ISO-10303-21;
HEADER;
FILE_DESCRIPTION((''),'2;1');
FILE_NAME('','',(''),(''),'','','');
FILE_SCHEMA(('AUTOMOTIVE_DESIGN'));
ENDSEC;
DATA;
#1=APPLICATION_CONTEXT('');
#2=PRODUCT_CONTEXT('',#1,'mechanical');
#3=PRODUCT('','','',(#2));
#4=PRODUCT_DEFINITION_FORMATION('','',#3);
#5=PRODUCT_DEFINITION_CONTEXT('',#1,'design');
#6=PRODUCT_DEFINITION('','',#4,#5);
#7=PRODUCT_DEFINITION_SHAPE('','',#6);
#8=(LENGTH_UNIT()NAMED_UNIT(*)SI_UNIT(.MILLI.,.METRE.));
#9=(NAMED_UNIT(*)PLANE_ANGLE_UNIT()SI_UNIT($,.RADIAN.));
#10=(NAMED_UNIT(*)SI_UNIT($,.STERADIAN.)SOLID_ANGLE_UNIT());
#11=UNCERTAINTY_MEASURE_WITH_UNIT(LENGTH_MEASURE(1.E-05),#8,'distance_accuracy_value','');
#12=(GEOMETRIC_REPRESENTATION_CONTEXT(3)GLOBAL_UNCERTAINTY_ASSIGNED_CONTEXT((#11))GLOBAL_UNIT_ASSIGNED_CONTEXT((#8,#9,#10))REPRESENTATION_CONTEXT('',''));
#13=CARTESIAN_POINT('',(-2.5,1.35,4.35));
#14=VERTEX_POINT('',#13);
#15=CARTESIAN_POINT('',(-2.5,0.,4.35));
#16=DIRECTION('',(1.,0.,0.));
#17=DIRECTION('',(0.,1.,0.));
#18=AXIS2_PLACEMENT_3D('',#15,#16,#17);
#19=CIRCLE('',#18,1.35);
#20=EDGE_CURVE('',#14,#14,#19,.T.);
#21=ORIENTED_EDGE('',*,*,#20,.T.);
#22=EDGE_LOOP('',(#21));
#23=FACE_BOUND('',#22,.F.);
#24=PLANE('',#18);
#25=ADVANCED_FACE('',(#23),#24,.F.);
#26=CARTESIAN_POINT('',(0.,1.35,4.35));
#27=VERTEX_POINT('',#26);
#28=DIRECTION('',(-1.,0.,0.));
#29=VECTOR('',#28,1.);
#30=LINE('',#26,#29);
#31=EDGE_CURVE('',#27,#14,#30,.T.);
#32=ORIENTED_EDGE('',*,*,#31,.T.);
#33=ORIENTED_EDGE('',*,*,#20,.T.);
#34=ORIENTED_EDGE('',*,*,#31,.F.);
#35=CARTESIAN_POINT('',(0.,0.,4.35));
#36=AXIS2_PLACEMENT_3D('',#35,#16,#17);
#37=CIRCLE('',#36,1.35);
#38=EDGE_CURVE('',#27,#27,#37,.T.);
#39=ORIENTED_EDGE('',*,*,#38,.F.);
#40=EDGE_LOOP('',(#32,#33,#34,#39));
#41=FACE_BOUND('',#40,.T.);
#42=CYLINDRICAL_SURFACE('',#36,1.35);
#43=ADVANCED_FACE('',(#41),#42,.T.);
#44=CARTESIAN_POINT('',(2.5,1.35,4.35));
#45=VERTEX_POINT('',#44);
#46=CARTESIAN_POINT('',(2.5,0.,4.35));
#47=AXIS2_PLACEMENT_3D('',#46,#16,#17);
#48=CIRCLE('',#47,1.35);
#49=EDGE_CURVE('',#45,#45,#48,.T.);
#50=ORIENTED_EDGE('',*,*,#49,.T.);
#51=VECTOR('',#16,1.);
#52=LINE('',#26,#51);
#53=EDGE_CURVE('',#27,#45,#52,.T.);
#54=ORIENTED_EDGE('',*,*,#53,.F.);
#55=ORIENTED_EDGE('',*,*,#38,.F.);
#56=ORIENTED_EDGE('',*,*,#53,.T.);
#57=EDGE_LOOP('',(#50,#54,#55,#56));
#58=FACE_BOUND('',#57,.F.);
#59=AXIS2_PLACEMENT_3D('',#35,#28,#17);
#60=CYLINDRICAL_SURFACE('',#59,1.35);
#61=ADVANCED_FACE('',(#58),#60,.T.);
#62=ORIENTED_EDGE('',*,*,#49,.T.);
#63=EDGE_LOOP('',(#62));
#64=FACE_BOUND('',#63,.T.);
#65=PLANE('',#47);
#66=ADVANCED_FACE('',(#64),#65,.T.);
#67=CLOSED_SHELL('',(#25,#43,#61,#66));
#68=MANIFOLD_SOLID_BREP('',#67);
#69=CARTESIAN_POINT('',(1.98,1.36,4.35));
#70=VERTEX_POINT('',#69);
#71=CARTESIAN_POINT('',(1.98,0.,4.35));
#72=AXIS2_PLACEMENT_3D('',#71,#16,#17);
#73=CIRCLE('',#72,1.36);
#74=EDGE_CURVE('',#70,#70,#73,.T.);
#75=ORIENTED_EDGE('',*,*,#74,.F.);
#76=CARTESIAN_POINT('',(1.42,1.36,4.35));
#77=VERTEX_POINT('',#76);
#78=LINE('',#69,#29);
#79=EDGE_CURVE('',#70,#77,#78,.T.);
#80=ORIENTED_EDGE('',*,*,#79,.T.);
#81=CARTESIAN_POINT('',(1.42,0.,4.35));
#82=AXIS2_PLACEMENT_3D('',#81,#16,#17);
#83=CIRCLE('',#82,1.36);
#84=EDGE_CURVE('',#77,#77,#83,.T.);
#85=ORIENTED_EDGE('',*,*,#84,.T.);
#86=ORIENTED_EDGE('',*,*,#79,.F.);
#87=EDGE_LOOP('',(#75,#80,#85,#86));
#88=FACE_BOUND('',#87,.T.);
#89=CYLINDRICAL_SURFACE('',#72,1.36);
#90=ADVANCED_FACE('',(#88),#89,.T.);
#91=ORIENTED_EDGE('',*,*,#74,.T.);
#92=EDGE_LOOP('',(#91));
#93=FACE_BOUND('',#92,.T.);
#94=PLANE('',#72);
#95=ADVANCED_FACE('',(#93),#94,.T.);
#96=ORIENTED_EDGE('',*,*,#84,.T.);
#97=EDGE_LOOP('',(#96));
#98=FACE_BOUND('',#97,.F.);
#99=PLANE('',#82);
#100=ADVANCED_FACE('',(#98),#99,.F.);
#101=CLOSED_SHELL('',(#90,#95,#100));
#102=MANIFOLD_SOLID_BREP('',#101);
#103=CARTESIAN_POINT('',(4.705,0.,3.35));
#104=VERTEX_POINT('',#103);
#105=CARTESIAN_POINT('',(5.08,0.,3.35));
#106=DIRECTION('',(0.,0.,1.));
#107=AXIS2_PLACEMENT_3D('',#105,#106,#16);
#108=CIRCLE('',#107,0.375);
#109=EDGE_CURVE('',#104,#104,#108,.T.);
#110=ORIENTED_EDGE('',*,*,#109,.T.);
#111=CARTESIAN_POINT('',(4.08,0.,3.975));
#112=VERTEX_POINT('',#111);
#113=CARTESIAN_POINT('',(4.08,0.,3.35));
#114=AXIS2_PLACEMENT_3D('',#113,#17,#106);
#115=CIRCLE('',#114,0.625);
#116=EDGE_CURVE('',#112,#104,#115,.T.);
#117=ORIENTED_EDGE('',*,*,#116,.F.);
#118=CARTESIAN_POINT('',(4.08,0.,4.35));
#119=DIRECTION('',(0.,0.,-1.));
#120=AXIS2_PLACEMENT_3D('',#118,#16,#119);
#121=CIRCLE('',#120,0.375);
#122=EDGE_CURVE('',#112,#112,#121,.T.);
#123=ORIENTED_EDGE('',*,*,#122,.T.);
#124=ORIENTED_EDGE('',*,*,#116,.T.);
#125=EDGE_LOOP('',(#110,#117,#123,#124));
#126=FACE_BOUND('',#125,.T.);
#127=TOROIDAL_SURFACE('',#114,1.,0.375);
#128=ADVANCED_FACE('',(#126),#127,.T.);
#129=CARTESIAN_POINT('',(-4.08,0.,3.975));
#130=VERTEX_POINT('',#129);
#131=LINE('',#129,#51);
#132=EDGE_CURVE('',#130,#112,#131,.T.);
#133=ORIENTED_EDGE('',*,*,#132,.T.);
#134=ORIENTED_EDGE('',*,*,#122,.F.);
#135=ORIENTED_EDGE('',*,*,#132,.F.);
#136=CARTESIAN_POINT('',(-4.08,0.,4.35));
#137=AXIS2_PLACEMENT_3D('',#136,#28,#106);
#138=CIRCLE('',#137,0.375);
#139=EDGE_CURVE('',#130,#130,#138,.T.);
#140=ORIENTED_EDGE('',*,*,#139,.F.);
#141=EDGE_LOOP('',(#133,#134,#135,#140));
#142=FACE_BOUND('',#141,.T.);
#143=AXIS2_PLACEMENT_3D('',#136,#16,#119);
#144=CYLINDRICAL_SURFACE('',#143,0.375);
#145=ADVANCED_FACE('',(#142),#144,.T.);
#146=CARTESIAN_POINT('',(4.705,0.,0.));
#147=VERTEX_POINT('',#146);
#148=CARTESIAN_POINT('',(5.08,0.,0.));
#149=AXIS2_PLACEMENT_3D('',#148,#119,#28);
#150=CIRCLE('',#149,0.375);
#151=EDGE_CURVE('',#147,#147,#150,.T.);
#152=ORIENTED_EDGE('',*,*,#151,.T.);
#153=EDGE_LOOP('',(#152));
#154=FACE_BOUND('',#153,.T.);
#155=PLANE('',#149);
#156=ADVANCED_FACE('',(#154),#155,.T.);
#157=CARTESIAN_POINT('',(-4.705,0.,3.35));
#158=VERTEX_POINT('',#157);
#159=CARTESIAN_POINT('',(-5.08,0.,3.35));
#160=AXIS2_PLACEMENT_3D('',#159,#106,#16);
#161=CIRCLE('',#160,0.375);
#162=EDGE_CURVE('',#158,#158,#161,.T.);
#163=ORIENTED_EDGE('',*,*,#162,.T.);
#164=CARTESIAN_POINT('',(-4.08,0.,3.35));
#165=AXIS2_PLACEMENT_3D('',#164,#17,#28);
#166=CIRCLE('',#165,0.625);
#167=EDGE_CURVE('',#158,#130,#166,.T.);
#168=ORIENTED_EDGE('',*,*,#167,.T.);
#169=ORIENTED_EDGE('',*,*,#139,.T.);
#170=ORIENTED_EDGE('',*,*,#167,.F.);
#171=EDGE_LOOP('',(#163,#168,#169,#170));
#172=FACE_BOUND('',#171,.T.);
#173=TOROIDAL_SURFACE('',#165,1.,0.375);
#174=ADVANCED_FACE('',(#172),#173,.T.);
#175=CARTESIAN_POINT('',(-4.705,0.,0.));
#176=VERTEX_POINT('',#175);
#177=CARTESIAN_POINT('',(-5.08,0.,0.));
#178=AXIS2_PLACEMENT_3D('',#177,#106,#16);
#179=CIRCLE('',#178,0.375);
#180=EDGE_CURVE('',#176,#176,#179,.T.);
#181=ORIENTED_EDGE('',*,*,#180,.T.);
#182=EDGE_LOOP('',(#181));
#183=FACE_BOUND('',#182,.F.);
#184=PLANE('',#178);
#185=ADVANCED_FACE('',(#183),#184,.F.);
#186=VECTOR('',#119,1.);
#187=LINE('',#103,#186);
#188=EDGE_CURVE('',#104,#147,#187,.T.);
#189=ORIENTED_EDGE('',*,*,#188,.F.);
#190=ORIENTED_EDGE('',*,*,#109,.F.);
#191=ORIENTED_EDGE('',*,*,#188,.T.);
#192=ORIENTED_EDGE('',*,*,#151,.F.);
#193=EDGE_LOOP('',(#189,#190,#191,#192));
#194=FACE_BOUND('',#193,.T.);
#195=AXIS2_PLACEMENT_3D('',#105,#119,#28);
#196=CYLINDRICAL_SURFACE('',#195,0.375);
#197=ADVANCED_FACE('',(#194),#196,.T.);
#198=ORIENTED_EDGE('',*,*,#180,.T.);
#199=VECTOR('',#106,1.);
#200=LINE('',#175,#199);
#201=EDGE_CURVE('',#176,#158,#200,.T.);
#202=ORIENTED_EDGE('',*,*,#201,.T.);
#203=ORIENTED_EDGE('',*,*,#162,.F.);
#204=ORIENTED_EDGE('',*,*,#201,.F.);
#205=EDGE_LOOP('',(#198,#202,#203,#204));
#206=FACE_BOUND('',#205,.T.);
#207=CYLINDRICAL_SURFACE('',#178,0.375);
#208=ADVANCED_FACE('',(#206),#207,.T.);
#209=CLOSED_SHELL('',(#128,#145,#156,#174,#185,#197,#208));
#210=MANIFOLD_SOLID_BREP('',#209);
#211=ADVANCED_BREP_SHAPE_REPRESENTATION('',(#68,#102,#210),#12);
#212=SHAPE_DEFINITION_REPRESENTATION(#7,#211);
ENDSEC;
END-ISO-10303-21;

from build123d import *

# Parameters (mm, degrees)
F1_R          = 0.375
F3_R          = 1.35
F4_DEPTH      = 2.5
F4_DEPTH_BACK = 2.5
F6_START      = -0.52
F5_R          = 1.36
F6_DEPTH      = 0.56


with BuildPart() as f2:
    # F2: sweep along a path in F0
    with BuildLine(Plane.XZ) as f2_path:
        Line((-5.08, 0), (-5.08, 3.35))
        ThreePointArc((-5.08, 3.35), (-4.7871067812, 4.0571067812), (-4.08, 4.35))
        Line((-4.08, 4.35), (4.08, 4.35))
        ThreePointArc((4.08, 4.35), (4.7871067812, 4.0571067812), (5.08, 3.35))
        Line((5.08, 3.35), (5.08, 0))
    # F1 (on Top) → F2 (sweep)
    with BuildSketch(Plane.XY):
        with Locations((-5.08, 0)):
            Circle(F1_R)
    sweep(path=f2_path.line)


with BuildPart() as f4:
    # F3 (on Right) → F4 (new body, two sides)
    with BuildSketch(Plane.YZ) as f4_sk:
        with Locations((0, 4.35)):
            Circle(F3_R)
    extrude(amount=-F4_DEPTH)
    extrude(f4_sk.sketch, amount=F4_DEPTH_BACK)


with BuildPart() as f6:
    # F5 (on face) → F6 (new body)
    with BuildSketch(Plane.YZ.offset(2.5).offset(F6_START)):
        with Locations((0, 4.35)):
            Circle(F5_R)
    extrude(amount=-F6_DEPTH)


solid = Compound([f2.part, f4.part, f6.part])
